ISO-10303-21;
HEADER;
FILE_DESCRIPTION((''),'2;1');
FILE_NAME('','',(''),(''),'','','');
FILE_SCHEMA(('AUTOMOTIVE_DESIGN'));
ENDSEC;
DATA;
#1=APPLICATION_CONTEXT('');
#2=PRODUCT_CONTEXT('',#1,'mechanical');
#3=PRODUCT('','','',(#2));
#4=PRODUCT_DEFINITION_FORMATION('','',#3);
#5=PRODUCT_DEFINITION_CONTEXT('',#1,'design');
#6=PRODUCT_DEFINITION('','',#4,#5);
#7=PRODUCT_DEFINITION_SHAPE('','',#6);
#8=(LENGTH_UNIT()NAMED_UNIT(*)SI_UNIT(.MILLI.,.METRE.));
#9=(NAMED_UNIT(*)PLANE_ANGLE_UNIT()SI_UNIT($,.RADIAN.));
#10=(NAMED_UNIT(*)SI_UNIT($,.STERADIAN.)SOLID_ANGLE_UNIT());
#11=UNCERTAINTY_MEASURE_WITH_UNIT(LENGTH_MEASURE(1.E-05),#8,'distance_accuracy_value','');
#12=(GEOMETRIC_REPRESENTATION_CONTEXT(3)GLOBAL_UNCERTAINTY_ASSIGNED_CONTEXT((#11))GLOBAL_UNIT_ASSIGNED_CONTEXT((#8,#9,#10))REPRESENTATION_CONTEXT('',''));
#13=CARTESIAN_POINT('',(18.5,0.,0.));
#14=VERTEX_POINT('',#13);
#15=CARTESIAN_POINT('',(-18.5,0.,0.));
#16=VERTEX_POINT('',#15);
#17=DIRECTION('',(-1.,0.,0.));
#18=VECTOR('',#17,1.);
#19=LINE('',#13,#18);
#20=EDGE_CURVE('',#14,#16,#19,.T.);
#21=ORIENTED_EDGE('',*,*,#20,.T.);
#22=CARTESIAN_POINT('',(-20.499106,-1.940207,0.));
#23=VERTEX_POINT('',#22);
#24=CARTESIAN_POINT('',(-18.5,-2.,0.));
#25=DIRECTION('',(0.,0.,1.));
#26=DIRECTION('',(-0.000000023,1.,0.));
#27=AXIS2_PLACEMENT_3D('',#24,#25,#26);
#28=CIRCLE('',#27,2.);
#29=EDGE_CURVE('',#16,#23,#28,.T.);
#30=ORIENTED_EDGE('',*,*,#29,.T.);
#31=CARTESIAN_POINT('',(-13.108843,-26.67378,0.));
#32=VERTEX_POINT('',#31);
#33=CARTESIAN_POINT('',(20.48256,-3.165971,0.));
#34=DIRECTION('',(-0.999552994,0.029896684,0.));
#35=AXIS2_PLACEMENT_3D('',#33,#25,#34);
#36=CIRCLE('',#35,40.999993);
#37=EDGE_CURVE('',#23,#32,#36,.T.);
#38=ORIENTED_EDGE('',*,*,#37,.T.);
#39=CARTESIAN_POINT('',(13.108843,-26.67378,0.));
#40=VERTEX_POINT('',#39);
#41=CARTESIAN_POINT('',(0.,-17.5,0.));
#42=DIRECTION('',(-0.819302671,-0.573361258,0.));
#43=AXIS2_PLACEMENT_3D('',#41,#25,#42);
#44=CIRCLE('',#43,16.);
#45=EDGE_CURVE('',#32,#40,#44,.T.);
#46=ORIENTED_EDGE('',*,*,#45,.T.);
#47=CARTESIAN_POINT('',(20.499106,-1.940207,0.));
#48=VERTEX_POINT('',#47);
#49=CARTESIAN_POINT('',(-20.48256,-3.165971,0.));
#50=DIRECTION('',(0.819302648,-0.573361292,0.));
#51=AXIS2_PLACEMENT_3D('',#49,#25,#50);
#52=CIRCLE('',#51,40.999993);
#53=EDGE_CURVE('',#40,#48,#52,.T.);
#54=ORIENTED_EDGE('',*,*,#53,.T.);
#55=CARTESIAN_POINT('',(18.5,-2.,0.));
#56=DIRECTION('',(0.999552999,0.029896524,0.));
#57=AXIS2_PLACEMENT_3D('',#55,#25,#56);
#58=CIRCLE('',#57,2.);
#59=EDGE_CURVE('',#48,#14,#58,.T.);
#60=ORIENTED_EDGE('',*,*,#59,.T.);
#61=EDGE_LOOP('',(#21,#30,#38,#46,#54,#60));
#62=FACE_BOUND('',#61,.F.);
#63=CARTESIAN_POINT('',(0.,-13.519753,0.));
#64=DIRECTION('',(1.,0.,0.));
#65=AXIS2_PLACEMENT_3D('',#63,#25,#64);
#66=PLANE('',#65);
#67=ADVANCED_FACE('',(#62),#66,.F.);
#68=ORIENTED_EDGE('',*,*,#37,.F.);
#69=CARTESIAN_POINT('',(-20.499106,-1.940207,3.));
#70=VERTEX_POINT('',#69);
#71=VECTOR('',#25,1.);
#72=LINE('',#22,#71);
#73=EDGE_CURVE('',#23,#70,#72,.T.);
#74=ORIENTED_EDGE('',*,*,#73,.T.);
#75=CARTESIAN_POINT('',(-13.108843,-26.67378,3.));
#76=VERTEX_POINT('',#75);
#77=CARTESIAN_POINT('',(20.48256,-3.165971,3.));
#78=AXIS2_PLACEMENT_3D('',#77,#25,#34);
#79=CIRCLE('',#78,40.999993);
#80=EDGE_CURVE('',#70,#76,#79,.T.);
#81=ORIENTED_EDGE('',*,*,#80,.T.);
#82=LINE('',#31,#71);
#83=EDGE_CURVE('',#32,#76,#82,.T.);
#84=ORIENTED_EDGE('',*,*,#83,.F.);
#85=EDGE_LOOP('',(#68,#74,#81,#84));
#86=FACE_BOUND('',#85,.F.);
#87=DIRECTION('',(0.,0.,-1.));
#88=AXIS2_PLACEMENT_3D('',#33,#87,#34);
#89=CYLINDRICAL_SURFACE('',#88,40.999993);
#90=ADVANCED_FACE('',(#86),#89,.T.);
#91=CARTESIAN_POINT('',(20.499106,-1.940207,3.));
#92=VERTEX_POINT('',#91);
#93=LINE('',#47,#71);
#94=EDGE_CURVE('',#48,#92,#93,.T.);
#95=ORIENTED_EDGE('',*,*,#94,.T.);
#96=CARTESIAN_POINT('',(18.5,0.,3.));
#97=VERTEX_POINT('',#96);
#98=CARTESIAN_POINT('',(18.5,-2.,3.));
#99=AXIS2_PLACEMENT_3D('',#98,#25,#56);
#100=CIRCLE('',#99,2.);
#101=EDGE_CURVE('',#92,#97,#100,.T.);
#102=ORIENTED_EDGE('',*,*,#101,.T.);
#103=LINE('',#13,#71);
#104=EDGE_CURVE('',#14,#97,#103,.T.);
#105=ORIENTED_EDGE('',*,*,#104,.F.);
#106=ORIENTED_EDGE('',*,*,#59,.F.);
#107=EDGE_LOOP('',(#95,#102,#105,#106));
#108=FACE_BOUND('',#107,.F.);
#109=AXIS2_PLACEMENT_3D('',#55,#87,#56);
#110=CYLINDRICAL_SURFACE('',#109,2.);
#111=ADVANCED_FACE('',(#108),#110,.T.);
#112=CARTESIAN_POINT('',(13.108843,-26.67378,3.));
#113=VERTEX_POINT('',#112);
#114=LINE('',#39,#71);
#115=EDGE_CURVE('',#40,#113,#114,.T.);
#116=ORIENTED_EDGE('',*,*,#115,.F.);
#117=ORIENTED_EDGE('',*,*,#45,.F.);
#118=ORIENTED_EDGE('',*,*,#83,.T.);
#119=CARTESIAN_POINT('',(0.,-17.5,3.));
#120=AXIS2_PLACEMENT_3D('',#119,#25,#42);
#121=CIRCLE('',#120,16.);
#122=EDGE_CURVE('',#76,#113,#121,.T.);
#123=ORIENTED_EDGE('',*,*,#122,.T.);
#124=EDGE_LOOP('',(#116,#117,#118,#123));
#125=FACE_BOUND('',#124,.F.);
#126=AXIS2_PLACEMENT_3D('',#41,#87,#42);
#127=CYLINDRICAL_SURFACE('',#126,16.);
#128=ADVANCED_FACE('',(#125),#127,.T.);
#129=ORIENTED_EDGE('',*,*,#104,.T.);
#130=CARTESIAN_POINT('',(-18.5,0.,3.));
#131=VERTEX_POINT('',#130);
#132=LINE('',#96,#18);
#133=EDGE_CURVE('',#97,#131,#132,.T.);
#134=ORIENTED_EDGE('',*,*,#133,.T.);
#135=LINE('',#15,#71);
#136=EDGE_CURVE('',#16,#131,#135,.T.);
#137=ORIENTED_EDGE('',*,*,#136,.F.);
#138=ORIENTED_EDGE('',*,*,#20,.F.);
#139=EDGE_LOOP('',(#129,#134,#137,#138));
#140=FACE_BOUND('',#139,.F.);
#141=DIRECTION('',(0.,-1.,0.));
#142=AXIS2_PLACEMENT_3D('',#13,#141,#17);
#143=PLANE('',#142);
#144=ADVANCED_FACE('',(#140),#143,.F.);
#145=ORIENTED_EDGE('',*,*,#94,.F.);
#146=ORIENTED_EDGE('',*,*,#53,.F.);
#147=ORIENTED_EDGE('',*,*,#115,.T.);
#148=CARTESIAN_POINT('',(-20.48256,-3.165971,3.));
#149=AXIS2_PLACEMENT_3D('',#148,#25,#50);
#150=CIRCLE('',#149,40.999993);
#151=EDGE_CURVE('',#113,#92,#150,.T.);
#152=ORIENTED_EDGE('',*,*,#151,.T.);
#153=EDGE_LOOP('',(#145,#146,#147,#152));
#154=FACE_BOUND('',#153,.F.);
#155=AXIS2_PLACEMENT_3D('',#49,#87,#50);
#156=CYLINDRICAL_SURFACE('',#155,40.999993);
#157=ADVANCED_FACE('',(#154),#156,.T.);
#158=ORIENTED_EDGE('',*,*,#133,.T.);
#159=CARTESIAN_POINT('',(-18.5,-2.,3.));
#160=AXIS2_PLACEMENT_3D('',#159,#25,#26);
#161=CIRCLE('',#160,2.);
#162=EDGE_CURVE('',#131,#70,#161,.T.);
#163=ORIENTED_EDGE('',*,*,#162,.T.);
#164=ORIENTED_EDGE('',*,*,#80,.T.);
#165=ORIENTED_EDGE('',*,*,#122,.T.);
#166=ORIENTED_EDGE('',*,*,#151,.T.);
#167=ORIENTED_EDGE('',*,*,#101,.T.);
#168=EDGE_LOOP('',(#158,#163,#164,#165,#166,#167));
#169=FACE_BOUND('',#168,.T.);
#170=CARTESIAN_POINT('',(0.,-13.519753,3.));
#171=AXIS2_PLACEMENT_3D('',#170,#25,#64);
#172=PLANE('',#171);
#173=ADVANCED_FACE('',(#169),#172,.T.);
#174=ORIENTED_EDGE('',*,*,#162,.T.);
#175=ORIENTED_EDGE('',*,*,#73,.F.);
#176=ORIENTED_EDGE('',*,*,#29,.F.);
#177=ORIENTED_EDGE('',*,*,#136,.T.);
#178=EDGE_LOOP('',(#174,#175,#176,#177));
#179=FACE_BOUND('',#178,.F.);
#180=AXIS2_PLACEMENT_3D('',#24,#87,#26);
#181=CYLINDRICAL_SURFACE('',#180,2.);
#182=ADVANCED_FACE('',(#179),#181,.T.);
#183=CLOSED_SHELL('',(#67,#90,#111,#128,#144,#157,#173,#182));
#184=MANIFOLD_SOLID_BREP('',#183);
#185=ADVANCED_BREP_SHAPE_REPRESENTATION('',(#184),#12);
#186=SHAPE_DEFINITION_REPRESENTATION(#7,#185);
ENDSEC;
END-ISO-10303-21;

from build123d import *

# Parameters (mm, degrees)
F1_DEPTH = 3


with BuildPart() as f1:
    # F0 (on Top) → F1 (new body)
    with BuildSketch(Plane.XY):
        with BuildLine():
            Line((0, 0), (-18.5, 0))
            ThreePointArc((-18.5, 0), (-19.892913, -0.564802), (-20.499106, -1.940207))
            ThreePointArc((-20.499106, -1.940207), (-18.801318, -14.903789), (-13.108843, -26.67378))
            ThreePointArc((-13.108843, -26.67378), (0, -33.5), (13.108843, -26.67378))
            ThreePointArc((13.108843, -26.67378), (18.801318, -14.903789), (20.499106, -1.940207))
            ThreePointArc((20.499106, -1.940207), (19.892913, -0.564802), (18.5, 0))
            Line((18.5, 0), (0, 0))
        make_face()
    extrude(amount=F1_DEPTH)


solid = f1.part
